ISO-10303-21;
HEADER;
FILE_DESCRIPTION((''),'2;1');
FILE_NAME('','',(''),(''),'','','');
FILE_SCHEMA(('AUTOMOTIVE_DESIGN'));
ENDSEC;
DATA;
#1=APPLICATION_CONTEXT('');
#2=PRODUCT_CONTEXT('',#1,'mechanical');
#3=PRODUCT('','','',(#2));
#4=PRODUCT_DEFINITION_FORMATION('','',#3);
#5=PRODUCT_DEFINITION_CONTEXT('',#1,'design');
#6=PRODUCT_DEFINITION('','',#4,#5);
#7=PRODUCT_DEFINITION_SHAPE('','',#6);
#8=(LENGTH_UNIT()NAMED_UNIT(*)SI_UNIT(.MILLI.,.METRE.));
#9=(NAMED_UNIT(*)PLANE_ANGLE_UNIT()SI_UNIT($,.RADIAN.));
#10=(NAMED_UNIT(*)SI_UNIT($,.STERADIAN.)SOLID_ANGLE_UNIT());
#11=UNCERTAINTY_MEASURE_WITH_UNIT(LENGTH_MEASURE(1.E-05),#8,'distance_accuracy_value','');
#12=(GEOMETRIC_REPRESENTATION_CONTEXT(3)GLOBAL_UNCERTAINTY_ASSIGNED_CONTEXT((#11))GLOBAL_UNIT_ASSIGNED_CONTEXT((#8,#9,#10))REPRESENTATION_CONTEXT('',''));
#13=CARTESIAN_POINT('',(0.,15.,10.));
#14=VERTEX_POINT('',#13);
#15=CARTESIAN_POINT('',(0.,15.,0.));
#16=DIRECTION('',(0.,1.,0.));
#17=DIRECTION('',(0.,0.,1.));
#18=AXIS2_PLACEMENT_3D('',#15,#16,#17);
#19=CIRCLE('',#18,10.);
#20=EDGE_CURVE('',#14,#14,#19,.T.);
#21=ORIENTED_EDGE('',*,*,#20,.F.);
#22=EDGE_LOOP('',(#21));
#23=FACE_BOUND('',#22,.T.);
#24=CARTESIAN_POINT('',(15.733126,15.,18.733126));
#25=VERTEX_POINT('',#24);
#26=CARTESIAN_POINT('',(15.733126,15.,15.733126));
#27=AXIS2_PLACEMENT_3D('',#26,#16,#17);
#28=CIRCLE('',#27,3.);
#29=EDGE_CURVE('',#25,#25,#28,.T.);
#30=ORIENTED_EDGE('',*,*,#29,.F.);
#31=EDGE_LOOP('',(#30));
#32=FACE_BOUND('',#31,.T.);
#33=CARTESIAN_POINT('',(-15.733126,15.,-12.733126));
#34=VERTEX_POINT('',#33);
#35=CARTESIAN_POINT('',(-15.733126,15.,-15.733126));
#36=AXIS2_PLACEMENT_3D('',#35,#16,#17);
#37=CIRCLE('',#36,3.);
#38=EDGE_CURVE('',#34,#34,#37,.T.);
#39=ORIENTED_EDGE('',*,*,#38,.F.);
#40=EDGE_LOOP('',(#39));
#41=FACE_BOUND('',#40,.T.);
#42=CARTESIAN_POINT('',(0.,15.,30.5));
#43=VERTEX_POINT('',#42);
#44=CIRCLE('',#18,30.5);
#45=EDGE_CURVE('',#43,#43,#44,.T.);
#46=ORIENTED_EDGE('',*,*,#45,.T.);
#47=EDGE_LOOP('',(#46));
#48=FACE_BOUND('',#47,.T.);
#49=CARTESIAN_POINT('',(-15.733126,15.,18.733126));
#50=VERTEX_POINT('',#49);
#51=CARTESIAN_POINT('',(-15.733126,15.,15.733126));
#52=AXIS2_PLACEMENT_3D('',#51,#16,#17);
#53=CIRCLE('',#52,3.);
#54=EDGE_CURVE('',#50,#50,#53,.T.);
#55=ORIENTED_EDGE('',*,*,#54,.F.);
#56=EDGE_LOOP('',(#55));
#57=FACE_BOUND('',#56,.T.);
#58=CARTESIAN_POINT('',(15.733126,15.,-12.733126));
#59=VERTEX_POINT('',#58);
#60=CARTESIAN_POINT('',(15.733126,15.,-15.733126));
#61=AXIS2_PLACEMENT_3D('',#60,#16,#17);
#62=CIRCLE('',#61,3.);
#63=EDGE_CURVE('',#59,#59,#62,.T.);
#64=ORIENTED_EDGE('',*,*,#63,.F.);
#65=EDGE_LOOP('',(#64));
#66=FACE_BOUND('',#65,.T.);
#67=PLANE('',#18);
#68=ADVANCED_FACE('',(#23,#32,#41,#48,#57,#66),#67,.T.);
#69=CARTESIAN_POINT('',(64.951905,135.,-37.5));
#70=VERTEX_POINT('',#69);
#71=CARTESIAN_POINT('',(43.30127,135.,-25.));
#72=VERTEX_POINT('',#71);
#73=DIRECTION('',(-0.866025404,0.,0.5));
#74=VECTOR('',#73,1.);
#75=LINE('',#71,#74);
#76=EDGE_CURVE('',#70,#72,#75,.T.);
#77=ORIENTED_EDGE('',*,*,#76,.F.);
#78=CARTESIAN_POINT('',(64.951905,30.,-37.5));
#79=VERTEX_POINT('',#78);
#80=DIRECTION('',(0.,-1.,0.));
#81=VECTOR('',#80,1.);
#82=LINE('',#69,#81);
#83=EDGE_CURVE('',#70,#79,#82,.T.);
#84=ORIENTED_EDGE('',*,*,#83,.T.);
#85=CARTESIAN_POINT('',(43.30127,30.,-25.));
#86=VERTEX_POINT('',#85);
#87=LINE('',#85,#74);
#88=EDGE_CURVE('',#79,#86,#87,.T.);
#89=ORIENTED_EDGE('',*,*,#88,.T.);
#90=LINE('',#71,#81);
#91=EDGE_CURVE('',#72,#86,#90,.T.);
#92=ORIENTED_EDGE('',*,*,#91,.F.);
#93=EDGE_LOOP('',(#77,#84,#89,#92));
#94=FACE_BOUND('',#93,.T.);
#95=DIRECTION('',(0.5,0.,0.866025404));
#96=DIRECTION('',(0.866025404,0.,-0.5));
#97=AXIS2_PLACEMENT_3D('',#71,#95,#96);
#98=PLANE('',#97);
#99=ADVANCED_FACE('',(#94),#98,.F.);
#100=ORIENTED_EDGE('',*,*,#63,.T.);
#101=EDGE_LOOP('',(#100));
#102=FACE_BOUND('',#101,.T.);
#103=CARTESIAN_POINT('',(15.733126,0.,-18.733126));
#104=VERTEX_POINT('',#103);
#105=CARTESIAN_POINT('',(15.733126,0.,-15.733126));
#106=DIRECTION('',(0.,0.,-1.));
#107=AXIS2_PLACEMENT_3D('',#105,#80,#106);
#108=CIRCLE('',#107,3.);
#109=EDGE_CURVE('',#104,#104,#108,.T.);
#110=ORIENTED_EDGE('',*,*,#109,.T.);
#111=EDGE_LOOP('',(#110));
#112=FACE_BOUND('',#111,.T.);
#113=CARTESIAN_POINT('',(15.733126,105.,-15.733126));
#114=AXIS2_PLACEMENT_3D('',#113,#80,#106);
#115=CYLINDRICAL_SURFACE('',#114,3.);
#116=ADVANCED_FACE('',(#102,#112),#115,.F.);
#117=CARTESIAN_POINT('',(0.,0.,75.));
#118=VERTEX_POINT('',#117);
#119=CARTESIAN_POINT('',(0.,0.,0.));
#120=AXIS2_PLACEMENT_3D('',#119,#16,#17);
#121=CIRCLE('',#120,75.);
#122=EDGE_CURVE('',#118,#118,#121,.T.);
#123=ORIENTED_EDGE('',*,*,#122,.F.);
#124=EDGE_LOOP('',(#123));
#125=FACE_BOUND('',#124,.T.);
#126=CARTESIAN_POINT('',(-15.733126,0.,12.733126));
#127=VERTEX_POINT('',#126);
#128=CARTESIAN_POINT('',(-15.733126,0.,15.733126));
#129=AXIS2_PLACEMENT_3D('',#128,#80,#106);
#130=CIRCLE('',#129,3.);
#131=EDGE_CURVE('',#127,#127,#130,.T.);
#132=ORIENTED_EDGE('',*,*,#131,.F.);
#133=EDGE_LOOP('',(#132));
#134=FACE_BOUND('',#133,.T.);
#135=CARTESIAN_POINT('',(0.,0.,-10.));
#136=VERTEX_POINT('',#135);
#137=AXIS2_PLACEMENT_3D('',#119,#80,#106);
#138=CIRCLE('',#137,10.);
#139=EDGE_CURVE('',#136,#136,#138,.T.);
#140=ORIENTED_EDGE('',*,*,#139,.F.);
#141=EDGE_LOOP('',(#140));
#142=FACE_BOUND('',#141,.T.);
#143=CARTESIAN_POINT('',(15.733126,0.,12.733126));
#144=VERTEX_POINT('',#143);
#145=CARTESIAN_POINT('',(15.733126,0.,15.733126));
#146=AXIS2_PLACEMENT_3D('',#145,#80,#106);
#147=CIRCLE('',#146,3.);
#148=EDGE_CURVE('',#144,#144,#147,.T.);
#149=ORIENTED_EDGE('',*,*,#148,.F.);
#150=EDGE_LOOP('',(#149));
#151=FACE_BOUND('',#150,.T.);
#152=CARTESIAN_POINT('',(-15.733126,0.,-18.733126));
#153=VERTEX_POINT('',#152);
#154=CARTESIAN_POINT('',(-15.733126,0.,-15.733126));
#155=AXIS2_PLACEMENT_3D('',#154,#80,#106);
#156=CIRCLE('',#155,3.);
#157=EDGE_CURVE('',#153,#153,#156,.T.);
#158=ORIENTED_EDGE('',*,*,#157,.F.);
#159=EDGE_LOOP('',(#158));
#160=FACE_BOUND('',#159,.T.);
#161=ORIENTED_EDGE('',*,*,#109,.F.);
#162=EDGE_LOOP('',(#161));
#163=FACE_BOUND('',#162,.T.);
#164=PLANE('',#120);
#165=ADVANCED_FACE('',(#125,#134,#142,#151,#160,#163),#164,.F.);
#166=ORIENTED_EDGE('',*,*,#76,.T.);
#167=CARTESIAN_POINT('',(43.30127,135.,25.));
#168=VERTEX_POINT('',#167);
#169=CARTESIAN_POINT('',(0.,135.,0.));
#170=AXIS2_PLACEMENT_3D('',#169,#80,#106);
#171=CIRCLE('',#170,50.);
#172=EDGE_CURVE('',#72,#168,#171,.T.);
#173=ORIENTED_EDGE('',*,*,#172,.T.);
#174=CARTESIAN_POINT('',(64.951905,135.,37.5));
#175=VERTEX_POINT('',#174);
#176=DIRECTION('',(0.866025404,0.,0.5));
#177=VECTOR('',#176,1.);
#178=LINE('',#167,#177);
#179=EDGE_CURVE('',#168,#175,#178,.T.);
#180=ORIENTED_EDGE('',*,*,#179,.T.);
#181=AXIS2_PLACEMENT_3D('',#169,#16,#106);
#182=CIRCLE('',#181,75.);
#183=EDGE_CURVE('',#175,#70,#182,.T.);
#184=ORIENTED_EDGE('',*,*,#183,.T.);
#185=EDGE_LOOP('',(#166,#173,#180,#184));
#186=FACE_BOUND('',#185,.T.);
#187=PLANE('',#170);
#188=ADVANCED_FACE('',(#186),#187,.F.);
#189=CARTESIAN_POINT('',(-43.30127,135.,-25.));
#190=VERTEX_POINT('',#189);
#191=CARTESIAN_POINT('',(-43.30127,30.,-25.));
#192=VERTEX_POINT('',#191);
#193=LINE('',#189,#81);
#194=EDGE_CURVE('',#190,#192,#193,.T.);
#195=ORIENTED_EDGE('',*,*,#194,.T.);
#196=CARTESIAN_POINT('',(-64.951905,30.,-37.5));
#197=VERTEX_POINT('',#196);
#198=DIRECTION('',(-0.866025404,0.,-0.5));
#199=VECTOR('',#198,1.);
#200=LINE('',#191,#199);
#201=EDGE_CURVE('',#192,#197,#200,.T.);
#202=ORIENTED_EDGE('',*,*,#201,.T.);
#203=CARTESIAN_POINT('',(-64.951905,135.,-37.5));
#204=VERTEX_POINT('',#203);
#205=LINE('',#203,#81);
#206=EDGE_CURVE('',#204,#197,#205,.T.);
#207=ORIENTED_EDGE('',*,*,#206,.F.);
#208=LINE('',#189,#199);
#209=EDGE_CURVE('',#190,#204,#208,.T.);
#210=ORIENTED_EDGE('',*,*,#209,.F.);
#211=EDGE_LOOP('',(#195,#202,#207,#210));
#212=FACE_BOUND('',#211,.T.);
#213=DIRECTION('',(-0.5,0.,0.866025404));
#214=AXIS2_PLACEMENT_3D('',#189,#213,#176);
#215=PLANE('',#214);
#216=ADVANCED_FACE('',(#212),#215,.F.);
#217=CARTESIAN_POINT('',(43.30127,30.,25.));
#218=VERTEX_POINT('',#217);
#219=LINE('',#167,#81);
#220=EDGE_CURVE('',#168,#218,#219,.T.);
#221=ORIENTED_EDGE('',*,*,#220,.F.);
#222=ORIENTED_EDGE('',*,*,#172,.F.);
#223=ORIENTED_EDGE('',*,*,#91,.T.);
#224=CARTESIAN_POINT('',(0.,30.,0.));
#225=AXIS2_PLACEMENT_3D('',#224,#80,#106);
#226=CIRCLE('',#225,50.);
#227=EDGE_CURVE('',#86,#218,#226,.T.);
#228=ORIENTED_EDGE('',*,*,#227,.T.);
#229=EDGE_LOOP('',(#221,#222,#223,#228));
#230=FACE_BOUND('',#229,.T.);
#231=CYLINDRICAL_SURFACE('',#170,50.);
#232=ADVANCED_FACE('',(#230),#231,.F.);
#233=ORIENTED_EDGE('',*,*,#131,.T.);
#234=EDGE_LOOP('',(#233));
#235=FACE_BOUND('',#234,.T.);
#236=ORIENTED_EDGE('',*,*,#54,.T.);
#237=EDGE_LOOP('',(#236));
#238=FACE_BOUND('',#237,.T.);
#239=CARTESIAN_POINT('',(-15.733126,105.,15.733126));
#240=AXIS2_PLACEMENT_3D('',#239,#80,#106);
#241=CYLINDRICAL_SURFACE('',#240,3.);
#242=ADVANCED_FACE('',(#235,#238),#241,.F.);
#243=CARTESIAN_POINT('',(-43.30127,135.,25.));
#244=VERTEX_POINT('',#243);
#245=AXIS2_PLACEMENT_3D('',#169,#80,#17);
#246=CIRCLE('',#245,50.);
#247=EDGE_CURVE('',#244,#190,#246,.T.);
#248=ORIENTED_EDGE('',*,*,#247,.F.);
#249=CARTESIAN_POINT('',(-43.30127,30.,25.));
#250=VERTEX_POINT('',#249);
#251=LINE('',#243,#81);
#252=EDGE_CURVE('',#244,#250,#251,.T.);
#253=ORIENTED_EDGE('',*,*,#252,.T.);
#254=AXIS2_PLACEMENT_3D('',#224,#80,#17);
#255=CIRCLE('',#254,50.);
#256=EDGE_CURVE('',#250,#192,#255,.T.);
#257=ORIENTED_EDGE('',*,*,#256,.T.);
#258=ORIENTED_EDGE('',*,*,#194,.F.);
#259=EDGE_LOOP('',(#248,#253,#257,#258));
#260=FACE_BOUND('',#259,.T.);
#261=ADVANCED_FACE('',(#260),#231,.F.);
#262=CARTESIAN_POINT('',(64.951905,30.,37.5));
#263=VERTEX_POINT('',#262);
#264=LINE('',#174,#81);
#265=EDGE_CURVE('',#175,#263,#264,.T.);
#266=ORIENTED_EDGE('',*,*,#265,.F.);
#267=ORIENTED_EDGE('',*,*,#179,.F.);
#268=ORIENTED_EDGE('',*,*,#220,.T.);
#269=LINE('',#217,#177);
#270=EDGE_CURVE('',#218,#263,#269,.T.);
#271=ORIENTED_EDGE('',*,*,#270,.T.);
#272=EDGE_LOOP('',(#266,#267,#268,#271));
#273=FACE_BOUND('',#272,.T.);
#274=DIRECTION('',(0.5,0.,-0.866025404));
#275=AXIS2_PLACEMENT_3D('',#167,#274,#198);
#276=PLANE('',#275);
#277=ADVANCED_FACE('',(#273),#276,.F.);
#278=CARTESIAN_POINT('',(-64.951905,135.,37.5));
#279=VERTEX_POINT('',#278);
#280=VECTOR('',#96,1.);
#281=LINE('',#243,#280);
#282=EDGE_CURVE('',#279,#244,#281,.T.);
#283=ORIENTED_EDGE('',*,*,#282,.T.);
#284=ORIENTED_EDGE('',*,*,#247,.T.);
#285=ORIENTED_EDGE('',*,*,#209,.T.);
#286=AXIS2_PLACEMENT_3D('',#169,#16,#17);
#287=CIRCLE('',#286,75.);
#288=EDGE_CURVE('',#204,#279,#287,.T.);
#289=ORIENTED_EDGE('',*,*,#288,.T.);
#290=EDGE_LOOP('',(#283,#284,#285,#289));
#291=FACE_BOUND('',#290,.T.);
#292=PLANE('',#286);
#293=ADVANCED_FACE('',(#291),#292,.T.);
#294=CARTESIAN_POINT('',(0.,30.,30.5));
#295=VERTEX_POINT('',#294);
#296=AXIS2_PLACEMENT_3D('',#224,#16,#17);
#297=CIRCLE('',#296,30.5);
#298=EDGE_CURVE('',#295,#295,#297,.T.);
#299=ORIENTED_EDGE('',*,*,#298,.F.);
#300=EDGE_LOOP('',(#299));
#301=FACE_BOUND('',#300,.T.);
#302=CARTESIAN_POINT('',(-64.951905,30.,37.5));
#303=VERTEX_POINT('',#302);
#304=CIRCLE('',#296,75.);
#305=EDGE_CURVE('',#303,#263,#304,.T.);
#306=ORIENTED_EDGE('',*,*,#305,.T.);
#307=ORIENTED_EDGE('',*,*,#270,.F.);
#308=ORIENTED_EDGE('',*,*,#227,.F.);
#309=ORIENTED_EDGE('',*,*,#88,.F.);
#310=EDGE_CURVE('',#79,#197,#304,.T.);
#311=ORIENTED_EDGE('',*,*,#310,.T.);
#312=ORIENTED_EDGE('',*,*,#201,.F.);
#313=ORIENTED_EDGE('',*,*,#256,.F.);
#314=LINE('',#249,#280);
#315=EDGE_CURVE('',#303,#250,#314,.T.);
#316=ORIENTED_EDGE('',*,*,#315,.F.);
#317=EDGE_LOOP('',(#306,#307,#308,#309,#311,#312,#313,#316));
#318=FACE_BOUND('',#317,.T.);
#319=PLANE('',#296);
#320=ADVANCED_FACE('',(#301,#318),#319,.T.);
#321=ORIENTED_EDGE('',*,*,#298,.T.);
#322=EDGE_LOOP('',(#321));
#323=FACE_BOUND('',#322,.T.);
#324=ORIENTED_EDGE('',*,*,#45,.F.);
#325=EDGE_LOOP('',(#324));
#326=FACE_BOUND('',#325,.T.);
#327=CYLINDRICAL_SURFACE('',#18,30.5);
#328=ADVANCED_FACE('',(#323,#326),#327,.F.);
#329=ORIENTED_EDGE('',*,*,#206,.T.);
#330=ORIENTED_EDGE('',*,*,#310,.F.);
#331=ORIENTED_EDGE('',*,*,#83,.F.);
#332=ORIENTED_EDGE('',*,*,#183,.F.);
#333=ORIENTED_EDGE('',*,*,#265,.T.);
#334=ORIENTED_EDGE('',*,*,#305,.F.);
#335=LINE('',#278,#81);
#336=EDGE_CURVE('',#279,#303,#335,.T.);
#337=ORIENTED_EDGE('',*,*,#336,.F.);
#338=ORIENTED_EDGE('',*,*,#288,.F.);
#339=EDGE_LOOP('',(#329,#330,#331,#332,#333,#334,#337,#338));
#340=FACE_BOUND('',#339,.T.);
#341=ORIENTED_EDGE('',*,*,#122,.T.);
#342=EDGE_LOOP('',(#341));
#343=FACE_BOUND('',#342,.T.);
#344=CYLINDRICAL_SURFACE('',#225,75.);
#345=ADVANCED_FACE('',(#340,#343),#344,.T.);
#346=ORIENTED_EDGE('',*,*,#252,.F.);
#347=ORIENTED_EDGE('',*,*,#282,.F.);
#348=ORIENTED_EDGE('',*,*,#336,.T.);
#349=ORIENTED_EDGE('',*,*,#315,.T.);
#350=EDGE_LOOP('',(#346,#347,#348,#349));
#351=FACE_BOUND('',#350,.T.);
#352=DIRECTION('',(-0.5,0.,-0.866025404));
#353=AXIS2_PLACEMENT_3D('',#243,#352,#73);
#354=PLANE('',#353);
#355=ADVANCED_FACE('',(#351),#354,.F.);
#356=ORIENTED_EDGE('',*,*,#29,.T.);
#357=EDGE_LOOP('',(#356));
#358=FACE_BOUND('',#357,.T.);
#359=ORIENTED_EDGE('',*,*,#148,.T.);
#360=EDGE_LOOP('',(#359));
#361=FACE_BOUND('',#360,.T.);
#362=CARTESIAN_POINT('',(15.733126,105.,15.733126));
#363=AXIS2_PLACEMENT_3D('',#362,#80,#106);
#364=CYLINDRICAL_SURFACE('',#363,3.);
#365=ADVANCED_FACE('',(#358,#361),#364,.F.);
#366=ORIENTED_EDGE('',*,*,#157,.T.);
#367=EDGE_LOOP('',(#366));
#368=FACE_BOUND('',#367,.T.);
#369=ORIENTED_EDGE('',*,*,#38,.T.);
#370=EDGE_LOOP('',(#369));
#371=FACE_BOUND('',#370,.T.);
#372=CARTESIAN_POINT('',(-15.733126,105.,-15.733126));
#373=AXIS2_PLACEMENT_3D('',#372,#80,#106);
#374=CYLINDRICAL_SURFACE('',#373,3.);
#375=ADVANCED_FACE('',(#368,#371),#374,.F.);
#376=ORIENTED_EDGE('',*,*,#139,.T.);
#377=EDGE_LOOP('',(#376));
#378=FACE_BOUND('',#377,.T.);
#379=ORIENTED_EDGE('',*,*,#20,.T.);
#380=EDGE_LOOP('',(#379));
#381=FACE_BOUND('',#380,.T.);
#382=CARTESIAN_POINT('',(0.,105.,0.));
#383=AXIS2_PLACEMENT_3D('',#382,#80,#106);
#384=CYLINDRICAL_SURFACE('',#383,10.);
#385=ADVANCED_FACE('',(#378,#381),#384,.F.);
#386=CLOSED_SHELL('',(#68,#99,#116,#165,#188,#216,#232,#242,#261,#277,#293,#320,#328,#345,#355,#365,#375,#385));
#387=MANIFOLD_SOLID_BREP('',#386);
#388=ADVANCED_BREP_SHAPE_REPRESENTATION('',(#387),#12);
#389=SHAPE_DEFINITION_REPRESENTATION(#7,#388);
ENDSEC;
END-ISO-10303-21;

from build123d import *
from build123d.topology import SkipClean

# Parameters (mm, degrees)
SKETCH1_R           = 75
BOSS_EXTRUDE1_DEPTH = 30
SKETCH2_R           = 30.5
CUT_EXTRUDE1_DEPTH  = 15
BOSS_EXTRUDE2_DEPTH = 105
SKETCH4_R           = 10
CUT_EXTRUDE2_DEPTH  = 105
SKETCH5_R           = 3
CUT_EXTRUDE3_DEPTH  = 105


with BuildPart() as part:
    # Sketch1 → Boss-Extrude1 (new body)
    with BuildSketch(Plane(origin=(0, 0, 0), x_dir=(1, 0, 0), z_dir=(0, 1, 0))):
        with Locations(Location((0, 0, 0), (0, 0, 270))):
            Circle(SKETCH1_R)
    extrude(amount=BOSS_EXTRUDE1_DEPTH)

    # Sketch2 → Cut-Extrude1 (cut)
    with BuildSketch(Plane(origin=(0, 30, 0), x_dir=(1, 0, 0), z_dir=(0, 1, 0))):
        with Locations(Location((0, 0, 0), (0, 0, 270))):
            Circle(SKETCH2_R)
    extrude(amount=-CUT_EXTRUDE1_DEPTH, mode=Mode.SUBTRACT)

    # Sketch3 → Boss-Extrude2 (add)
    with SkipClean():  # the faces are left unmerged after this step: merging them gives an invalid solid
        with BuildSketch(Plane(origin=(0, 30, 0), x_dir=(1, 0, 0), z_dir=(0, 1, 0))):
            with BuildLine():
                Line((43.301270189, 25), (64.951905284, 37.5))
                ThreePointArc((64.951905284, 37.5), (75, 0), (64.951905284, -37.5))
                Line((64.951905284, -37.5), (43.301270189, -25))
                ThreePointArc((43.301270189, -25), (50, 0), (43.301270189, 25))
            make_face()
            with BuildLine():
                Line((-43.301270189, -25), (-64.951905284, -37.5))
                ThreePointArc((-64.951905284, -37.5), (-75, 0), (-64.951905284, 37.5))
                Line((-64.951905284, 37.5), (-43.301270189, 25))
                ThreePointArc((-43.301270189, 25), (-50, 0), (-43.301270189, -25))
            make_face()
        extrude(amount=BOSS_EXTRUDE2_DEPTH)

    # Sketch4 → Cut-Extrude2 (cut)
    with SkipClean():  # the faces are left unmerged after this step: merging them gives an invalid solid
        with BuildSketch(Plane.XZ):
            with Locations(Location((0, 0, 0), (0, 0, 270))):
                Circle(SKETCH4_R)
        extrude(amount=-CUT_EXTRUDE2_DEPTH, mode=Mode.SUBTRACT)

    # Sketch5 → Cut-Extrude3 (cut)
    with SkipClean():  # the faces are left unmerged after this step: merging them gives an invalid solid
        with BuildSketch(Plane.XZ):
            with Locations(Location((-15.733125881, 15.733125881, 0), (0, 0, 270))):
                Circle(SKETCH5_R)
            with Locations(Location((15.733125881, 15.733125881, 0), (0, 0, 270))):
                Circle(SKETCH5_R)
            with Locations(Location((15.733125881, -15.733125881, 0), (0, 0, 270))):
                Circle(SKETCH5_R)
            with Locations(Location((-15.733125881, -15.733125881, 0), (0, 0, 270))):
                Circle(SKETCH5_R)
        extrude(amount=-CUT_EXTRUDE3_DEPTH, mode=Mode.SUBTRACT)


solid = part.part
